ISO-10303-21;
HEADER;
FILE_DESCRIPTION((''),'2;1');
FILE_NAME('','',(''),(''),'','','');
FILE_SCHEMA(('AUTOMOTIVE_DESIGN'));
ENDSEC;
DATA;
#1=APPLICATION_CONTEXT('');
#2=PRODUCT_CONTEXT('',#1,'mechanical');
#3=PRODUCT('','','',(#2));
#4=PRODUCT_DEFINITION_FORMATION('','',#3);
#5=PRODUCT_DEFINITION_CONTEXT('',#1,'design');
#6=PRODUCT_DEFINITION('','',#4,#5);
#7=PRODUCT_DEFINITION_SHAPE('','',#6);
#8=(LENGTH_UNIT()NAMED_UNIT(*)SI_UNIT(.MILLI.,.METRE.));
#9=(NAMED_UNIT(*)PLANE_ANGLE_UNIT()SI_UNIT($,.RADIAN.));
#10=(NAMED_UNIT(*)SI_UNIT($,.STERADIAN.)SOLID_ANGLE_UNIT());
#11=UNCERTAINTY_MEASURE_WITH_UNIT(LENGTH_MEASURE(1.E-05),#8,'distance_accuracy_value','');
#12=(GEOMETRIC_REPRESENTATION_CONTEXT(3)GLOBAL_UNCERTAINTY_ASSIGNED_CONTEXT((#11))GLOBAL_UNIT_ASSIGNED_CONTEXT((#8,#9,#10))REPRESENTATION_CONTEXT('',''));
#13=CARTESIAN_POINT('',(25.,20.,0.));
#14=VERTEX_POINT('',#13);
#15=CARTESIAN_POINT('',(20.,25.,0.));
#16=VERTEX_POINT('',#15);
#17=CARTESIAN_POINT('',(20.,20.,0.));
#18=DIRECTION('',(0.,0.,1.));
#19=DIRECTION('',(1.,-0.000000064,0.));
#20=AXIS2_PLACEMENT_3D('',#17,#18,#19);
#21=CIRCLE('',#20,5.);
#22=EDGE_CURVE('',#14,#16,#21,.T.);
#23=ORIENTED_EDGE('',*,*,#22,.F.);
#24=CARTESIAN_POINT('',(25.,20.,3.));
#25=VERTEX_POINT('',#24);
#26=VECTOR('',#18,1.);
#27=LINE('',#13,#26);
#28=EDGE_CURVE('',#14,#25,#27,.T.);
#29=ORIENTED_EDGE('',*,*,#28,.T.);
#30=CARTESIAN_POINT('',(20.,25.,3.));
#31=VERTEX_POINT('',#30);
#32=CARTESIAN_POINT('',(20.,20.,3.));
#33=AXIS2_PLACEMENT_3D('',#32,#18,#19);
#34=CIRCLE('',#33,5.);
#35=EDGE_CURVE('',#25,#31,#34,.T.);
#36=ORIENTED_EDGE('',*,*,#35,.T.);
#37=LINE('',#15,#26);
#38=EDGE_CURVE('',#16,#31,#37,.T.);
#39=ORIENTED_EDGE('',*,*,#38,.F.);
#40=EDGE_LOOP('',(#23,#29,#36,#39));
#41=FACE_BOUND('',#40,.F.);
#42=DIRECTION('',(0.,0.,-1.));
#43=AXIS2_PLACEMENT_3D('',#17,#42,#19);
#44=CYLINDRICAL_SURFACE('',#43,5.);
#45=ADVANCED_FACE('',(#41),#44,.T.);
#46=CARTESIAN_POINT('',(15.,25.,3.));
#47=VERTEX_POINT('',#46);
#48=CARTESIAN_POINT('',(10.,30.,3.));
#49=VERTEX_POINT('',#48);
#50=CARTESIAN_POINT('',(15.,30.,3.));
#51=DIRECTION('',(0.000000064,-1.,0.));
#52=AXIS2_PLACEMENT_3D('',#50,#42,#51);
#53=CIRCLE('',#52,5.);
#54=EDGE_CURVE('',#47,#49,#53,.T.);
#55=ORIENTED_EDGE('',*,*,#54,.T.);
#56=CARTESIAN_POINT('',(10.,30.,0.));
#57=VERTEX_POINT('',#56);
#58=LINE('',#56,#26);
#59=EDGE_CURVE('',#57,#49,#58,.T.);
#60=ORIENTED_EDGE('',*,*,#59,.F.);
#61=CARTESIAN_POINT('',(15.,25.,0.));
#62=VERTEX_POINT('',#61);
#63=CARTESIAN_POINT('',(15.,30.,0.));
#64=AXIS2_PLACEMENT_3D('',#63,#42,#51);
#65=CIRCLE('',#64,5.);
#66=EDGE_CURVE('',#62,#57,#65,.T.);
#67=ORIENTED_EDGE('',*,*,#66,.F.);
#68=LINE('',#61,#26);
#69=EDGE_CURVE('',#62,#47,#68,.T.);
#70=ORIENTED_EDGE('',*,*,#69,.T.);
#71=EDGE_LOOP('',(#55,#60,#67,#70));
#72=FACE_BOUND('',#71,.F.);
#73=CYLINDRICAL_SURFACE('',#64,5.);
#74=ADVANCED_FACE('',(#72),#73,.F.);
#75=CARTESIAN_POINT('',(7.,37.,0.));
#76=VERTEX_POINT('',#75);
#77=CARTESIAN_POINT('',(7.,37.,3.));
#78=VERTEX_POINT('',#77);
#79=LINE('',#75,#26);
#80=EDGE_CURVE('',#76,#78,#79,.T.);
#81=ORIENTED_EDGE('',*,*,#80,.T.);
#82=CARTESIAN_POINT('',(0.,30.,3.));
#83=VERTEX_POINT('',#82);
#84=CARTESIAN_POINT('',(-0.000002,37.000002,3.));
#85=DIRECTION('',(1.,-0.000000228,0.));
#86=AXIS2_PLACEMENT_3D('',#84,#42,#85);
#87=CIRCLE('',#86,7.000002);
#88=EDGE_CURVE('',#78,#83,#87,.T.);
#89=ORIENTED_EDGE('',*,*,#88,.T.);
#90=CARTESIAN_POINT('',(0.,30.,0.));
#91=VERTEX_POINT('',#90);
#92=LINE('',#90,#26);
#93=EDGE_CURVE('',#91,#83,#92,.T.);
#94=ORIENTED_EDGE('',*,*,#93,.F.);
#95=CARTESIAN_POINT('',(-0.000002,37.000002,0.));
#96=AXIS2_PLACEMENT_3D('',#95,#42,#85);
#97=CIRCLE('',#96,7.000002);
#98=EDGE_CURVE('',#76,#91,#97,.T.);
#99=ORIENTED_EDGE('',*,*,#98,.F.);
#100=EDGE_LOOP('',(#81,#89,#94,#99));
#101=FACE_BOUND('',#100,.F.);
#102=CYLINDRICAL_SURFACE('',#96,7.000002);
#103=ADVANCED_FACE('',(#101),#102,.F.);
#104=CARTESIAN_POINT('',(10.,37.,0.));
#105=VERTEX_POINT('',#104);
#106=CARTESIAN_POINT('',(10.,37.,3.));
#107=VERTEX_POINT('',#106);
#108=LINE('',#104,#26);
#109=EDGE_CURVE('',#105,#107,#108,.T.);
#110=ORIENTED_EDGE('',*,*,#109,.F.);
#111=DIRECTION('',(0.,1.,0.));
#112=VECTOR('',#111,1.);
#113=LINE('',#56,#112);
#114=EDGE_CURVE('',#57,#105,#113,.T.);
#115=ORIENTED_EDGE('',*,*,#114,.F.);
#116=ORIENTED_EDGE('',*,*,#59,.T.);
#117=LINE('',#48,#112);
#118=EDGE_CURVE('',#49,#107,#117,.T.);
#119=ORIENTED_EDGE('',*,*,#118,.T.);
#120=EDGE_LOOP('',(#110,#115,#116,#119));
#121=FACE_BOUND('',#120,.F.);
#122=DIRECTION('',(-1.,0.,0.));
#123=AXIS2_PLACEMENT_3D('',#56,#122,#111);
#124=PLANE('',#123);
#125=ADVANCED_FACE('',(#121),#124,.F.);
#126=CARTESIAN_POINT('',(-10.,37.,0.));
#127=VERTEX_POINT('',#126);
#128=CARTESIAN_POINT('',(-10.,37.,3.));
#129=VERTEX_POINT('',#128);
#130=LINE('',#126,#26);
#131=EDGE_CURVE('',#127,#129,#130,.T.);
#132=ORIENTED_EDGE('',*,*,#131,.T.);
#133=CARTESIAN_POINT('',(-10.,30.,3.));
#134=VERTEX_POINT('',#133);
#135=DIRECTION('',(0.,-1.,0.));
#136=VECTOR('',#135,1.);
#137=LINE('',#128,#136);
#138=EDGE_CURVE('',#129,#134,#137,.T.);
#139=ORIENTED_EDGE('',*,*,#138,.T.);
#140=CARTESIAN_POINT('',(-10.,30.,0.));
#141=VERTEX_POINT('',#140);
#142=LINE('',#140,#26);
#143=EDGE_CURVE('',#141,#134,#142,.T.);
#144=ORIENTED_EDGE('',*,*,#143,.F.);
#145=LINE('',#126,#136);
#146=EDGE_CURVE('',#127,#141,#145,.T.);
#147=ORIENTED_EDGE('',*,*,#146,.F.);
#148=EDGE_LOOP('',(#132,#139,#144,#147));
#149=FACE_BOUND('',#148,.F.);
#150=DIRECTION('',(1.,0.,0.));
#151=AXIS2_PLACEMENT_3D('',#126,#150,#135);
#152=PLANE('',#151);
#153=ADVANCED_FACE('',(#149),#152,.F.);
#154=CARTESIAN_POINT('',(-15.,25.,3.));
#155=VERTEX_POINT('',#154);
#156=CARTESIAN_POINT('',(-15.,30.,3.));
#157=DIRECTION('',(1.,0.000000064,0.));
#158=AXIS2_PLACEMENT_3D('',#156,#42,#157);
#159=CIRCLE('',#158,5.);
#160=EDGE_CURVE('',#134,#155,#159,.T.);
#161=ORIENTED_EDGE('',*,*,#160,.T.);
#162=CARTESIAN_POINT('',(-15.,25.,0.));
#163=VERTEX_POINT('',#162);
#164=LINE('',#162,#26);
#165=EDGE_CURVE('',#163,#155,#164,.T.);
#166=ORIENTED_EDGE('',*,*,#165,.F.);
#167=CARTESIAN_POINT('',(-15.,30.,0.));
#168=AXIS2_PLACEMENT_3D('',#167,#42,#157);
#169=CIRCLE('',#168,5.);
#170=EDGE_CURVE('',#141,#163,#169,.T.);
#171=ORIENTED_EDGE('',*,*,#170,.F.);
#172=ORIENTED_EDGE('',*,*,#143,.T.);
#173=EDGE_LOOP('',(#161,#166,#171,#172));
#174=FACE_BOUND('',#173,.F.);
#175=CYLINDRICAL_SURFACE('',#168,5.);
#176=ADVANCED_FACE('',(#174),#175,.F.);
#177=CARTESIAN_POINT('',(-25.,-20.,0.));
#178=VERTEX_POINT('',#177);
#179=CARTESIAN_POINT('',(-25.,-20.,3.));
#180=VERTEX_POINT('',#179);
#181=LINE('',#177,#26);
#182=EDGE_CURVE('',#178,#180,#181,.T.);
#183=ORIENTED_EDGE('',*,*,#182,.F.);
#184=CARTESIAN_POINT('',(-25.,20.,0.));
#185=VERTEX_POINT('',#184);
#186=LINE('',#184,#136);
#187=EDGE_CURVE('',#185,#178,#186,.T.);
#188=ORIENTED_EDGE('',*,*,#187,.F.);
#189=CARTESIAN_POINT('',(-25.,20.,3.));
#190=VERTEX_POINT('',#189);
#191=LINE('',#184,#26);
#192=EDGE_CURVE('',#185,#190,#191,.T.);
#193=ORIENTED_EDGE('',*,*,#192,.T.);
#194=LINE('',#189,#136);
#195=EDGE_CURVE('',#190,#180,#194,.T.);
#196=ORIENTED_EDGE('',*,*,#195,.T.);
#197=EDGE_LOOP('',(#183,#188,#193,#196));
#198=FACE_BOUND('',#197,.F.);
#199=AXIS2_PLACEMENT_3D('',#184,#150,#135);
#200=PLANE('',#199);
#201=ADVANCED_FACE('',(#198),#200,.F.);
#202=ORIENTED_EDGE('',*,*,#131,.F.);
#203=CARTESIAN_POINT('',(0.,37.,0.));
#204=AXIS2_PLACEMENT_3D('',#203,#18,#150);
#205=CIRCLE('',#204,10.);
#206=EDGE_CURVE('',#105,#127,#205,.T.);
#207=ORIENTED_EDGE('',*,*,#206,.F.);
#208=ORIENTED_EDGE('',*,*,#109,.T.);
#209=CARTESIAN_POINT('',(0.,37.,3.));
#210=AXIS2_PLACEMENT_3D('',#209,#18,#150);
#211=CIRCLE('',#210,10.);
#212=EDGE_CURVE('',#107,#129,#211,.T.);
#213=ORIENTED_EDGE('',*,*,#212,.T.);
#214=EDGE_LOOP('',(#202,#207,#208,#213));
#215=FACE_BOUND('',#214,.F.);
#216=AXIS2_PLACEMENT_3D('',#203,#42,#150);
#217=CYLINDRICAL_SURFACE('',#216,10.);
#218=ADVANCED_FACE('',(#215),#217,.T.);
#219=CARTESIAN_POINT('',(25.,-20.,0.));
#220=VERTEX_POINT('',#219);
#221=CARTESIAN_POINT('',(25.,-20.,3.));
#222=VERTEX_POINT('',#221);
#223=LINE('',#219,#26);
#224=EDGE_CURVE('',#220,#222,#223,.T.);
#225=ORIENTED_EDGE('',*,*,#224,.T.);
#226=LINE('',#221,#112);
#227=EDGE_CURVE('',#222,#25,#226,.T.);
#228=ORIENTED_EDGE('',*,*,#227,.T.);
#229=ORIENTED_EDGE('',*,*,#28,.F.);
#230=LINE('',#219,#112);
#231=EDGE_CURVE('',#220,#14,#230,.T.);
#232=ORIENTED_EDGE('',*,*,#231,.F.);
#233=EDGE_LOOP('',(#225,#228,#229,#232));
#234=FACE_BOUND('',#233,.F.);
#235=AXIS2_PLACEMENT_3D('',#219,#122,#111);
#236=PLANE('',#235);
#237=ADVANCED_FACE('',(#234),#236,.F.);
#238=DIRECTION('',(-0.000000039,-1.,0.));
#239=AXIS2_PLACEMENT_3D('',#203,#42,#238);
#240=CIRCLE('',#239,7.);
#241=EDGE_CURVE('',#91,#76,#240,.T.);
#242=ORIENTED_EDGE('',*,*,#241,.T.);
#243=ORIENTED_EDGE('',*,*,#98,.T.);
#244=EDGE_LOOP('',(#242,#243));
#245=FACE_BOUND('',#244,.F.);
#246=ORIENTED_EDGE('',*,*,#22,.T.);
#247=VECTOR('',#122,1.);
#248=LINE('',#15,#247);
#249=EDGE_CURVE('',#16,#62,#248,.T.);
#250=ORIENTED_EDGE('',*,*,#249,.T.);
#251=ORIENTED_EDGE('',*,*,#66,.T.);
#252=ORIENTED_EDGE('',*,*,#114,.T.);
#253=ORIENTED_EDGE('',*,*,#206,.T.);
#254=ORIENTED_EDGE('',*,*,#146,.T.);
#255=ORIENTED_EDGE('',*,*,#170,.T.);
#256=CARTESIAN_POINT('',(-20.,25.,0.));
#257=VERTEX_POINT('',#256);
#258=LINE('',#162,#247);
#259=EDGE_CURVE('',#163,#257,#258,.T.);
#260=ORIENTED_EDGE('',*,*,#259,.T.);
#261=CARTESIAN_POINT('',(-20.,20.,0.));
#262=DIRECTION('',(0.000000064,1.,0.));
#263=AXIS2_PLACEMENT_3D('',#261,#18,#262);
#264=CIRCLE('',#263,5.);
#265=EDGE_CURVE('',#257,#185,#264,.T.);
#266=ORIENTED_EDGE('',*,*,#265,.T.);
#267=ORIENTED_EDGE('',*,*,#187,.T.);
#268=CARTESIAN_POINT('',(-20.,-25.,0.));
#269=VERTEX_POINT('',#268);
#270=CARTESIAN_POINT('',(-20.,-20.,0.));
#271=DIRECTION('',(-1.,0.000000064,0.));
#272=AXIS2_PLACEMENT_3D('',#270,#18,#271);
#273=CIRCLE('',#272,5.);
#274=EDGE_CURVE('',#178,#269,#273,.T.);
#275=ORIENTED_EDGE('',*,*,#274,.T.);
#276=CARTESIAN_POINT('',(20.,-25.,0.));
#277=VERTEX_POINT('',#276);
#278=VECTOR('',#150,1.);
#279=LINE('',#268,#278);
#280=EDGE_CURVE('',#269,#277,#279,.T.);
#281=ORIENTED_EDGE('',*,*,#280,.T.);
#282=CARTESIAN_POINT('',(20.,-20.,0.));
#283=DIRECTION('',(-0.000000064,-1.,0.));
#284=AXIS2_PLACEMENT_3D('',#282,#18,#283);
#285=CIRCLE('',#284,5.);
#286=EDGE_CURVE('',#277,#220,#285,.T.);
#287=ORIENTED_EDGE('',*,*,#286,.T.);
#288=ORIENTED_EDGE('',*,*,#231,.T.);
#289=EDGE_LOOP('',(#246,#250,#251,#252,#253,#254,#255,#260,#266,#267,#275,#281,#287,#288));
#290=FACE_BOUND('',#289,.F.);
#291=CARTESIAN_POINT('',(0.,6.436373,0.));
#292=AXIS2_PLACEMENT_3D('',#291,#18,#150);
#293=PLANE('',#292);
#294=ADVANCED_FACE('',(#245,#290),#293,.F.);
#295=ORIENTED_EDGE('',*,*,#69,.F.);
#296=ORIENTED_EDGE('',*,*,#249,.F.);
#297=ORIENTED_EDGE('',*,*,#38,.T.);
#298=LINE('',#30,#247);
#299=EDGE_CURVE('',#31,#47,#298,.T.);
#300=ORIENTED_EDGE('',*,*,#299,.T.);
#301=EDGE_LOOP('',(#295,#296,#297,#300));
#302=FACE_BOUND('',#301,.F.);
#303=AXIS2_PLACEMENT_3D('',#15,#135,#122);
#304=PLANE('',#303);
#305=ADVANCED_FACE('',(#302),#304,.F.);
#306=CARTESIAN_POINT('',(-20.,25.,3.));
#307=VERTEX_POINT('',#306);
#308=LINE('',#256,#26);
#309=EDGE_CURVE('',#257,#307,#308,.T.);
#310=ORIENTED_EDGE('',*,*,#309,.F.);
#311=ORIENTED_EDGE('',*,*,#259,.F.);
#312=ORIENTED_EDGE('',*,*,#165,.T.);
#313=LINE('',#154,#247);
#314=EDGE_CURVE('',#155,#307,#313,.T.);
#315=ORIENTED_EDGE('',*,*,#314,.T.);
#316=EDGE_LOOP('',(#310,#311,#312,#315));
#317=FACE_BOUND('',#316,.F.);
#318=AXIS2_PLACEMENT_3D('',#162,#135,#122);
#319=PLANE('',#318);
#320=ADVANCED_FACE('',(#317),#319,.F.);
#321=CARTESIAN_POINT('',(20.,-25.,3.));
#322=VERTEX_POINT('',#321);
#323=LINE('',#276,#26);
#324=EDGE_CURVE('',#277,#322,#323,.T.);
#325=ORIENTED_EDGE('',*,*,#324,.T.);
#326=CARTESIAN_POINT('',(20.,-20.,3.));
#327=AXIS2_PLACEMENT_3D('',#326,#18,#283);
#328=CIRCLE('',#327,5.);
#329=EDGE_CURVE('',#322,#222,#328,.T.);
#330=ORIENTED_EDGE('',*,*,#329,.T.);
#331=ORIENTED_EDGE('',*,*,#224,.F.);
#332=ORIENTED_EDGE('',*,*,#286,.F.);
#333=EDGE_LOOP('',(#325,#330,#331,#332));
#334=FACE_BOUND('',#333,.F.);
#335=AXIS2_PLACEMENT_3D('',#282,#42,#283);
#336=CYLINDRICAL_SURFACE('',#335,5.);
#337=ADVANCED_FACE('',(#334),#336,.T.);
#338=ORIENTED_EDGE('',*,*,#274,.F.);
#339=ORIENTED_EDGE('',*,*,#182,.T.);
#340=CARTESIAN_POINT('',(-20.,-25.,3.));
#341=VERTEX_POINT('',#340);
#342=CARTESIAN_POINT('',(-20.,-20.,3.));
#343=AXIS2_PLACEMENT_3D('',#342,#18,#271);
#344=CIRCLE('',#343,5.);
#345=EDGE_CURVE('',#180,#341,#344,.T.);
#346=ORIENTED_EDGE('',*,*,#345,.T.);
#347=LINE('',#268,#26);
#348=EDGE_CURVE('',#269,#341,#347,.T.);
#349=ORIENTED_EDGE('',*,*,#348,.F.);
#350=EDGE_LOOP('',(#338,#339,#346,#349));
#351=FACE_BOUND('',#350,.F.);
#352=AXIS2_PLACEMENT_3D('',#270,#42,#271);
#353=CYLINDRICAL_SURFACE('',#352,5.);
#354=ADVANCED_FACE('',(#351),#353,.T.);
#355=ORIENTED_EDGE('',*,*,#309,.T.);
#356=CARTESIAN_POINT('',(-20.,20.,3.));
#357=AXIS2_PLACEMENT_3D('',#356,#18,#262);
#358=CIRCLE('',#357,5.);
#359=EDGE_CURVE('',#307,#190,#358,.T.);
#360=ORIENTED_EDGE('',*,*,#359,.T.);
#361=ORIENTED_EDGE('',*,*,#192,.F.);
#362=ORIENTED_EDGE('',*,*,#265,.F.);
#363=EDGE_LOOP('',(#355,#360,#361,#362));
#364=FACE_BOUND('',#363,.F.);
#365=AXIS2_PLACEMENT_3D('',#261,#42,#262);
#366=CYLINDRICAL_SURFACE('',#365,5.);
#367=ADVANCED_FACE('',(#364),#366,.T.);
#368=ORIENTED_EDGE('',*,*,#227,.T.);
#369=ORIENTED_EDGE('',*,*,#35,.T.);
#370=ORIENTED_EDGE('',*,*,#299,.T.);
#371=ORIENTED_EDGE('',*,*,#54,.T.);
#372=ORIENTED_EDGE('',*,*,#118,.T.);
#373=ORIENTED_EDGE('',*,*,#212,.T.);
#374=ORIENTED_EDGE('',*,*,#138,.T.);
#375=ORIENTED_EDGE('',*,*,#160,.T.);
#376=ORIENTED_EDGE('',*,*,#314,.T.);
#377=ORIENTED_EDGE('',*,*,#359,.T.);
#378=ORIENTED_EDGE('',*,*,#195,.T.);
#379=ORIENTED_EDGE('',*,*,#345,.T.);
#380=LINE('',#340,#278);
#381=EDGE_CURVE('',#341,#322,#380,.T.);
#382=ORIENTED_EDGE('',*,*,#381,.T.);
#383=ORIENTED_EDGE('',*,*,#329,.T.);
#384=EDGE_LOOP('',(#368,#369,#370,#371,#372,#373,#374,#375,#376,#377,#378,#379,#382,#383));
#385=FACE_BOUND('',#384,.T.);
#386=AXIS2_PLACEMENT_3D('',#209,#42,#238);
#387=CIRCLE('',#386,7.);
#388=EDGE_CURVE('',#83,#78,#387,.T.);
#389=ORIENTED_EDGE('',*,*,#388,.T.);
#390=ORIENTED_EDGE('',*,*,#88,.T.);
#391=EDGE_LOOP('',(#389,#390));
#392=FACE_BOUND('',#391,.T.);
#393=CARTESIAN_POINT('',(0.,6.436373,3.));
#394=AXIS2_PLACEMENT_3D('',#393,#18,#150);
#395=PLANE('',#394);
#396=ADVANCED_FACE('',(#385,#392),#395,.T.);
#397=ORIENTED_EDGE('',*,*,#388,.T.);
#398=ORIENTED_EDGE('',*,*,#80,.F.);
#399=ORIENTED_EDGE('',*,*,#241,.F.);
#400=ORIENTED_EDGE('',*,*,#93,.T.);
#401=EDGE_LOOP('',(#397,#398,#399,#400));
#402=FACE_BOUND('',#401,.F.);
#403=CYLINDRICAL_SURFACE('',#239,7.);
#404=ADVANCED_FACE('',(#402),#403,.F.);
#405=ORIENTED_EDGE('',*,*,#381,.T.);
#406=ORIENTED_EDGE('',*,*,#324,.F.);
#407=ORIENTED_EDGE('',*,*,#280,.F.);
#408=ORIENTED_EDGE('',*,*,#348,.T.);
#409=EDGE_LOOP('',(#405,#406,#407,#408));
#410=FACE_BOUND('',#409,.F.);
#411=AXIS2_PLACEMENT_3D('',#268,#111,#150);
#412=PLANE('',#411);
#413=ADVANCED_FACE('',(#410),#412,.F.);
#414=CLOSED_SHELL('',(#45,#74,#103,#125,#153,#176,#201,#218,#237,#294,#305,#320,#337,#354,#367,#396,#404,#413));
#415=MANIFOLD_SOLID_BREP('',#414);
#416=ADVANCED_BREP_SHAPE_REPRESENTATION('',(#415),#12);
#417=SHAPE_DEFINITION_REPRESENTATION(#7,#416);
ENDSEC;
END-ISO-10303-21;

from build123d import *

# Parameters (mm, degrees)
F1_DEPTH = 3


with BuildPart() as f1:
    # F0 (on Top) → F1 (new body)
    with BuildSketch(Plane.XY):
        with BuildLine():
            Line((-20, -25), (20, -25))
            ThreePointArc((20, -25), (23.535534, -23.535534), (25, -20))
            Line((25, -20), (25, 20))
            ThreePointArc((25, 20), (23.535534, 23.535534), (20, 25))
            Line((20, 25), (15, 25))
            ThreePointArc((15, 25), (11.464466, 26.464466), (10, 30))
            Line((10, 30), (10, 37))
            ThreePointArc((10, 37), (0, 47), (-10, 37))
            Line((-10, 37), (-10, 30))
            ThreePointArc((-10, 30), (-11.464466, 26.464466), (-15, 25))
            Line((-15, 25), (-20, 25))
            ThreePointArc((-20, 25), (-23.535534, 23.535534), (-25, 20))
            Line((-25, 20), (-25, -20))
            ThreePointArc((-25, -20), (-23.535534, -23.535534), (-20, -25))
        make_face()
        with BuildLine():
            ThreePointArc((0, 30), (-4.949747, 41.949747), (7, 37))
            ThreePointArc((7, 37), (4.949747, 32.050253), (0, 30))
        make_face(mode=Mode.SUBTRACT)
    extrude(amount=F1_DEPTH)


solid = f1.part
